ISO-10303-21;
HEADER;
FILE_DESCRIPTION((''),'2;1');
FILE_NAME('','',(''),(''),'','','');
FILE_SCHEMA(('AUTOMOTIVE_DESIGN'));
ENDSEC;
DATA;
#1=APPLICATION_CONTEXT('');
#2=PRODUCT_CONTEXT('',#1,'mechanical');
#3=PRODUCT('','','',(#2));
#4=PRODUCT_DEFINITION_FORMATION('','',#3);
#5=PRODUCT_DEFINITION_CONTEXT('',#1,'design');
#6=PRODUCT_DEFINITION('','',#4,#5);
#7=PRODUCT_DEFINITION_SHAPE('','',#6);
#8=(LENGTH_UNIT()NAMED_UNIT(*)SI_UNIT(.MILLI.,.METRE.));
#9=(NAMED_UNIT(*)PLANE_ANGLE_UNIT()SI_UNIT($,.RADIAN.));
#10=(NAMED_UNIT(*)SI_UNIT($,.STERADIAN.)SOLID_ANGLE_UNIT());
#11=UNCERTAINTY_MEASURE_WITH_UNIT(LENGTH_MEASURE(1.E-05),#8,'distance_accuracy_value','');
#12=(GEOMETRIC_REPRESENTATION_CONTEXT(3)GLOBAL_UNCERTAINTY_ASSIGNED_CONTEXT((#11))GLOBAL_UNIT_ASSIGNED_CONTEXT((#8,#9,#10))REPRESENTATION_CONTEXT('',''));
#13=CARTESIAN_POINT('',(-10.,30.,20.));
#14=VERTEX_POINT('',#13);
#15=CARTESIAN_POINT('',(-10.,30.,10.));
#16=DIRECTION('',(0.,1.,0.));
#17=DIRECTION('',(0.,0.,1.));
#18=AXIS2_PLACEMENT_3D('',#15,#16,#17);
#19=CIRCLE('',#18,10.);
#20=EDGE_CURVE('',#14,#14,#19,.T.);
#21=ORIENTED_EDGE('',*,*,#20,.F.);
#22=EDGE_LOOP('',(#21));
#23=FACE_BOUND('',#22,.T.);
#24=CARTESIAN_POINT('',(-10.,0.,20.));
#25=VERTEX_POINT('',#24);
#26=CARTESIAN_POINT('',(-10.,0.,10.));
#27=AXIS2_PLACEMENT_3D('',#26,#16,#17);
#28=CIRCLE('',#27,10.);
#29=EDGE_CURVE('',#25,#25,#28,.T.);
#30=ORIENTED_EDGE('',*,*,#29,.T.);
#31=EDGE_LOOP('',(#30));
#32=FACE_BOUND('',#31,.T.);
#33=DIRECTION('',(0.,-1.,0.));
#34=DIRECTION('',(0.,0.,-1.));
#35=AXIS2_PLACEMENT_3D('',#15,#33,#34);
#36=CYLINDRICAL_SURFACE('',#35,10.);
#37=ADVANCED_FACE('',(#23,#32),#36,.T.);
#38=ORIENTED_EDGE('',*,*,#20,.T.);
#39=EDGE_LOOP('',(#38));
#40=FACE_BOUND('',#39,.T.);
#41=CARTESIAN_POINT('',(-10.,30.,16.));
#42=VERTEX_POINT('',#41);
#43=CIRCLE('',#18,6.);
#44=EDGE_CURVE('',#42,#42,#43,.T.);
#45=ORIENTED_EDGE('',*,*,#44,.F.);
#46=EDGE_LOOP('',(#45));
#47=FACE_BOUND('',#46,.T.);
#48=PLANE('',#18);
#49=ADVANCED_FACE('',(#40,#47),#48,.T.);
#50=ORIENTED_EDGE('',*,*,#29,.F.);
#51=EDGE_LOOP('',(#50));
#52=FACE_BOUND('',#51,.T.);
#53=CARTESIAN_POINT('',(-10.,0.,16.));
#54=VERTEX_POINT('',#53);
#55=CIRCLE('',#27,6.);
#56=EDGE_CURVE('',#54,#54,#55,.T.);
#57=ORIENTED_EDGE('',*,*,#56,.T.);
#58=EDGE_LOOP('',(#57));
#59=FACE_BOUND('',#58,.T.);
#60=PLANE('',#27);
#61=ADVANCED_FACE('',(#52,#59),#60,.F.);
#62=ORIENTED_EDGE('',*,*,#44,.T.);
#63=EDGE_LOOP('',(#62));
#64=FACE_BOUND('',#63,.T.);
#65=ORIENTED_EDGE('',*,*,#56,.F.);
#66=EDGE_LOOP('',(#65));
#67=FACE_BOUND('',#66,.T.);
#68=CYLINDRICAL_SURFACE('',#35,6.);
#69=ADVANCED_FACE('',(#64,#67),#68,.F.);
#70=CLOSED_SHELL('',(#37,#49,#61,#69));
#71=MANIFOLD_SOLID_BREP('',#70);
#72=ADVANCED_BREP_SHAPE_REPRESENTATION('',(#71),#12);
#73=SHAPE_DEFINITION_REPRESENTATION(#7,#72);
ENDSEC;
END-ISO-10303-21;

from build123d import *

# Parameters (mm, degrees)
SKETCH_1_R      = 10
SKETCH_1_R_2    = 6
EXTRUDE_1_DEPTH = 30


with BuildPart() as part:
    # Эскиз1 → Бобышка-Вытянуть1 (new body)
    with BuildSketch(Plane(origin=(0, 0, 0), x_dir=(1, 0, 0), z_dir=(0, 1, 0))):
        with Locations(Location((-10, -10, 0), (0, 0, 270))):
            Circle(SKETCH_1_R)
        with Locations(Location((-10, -10, 0), (0, 0, 270))):
            Circle(SKETCH_1_R_2, mode=Mode.SUBTRACT)
    extrude(amount=EXTRUDE_1_DEPTH)


solid = part.part
